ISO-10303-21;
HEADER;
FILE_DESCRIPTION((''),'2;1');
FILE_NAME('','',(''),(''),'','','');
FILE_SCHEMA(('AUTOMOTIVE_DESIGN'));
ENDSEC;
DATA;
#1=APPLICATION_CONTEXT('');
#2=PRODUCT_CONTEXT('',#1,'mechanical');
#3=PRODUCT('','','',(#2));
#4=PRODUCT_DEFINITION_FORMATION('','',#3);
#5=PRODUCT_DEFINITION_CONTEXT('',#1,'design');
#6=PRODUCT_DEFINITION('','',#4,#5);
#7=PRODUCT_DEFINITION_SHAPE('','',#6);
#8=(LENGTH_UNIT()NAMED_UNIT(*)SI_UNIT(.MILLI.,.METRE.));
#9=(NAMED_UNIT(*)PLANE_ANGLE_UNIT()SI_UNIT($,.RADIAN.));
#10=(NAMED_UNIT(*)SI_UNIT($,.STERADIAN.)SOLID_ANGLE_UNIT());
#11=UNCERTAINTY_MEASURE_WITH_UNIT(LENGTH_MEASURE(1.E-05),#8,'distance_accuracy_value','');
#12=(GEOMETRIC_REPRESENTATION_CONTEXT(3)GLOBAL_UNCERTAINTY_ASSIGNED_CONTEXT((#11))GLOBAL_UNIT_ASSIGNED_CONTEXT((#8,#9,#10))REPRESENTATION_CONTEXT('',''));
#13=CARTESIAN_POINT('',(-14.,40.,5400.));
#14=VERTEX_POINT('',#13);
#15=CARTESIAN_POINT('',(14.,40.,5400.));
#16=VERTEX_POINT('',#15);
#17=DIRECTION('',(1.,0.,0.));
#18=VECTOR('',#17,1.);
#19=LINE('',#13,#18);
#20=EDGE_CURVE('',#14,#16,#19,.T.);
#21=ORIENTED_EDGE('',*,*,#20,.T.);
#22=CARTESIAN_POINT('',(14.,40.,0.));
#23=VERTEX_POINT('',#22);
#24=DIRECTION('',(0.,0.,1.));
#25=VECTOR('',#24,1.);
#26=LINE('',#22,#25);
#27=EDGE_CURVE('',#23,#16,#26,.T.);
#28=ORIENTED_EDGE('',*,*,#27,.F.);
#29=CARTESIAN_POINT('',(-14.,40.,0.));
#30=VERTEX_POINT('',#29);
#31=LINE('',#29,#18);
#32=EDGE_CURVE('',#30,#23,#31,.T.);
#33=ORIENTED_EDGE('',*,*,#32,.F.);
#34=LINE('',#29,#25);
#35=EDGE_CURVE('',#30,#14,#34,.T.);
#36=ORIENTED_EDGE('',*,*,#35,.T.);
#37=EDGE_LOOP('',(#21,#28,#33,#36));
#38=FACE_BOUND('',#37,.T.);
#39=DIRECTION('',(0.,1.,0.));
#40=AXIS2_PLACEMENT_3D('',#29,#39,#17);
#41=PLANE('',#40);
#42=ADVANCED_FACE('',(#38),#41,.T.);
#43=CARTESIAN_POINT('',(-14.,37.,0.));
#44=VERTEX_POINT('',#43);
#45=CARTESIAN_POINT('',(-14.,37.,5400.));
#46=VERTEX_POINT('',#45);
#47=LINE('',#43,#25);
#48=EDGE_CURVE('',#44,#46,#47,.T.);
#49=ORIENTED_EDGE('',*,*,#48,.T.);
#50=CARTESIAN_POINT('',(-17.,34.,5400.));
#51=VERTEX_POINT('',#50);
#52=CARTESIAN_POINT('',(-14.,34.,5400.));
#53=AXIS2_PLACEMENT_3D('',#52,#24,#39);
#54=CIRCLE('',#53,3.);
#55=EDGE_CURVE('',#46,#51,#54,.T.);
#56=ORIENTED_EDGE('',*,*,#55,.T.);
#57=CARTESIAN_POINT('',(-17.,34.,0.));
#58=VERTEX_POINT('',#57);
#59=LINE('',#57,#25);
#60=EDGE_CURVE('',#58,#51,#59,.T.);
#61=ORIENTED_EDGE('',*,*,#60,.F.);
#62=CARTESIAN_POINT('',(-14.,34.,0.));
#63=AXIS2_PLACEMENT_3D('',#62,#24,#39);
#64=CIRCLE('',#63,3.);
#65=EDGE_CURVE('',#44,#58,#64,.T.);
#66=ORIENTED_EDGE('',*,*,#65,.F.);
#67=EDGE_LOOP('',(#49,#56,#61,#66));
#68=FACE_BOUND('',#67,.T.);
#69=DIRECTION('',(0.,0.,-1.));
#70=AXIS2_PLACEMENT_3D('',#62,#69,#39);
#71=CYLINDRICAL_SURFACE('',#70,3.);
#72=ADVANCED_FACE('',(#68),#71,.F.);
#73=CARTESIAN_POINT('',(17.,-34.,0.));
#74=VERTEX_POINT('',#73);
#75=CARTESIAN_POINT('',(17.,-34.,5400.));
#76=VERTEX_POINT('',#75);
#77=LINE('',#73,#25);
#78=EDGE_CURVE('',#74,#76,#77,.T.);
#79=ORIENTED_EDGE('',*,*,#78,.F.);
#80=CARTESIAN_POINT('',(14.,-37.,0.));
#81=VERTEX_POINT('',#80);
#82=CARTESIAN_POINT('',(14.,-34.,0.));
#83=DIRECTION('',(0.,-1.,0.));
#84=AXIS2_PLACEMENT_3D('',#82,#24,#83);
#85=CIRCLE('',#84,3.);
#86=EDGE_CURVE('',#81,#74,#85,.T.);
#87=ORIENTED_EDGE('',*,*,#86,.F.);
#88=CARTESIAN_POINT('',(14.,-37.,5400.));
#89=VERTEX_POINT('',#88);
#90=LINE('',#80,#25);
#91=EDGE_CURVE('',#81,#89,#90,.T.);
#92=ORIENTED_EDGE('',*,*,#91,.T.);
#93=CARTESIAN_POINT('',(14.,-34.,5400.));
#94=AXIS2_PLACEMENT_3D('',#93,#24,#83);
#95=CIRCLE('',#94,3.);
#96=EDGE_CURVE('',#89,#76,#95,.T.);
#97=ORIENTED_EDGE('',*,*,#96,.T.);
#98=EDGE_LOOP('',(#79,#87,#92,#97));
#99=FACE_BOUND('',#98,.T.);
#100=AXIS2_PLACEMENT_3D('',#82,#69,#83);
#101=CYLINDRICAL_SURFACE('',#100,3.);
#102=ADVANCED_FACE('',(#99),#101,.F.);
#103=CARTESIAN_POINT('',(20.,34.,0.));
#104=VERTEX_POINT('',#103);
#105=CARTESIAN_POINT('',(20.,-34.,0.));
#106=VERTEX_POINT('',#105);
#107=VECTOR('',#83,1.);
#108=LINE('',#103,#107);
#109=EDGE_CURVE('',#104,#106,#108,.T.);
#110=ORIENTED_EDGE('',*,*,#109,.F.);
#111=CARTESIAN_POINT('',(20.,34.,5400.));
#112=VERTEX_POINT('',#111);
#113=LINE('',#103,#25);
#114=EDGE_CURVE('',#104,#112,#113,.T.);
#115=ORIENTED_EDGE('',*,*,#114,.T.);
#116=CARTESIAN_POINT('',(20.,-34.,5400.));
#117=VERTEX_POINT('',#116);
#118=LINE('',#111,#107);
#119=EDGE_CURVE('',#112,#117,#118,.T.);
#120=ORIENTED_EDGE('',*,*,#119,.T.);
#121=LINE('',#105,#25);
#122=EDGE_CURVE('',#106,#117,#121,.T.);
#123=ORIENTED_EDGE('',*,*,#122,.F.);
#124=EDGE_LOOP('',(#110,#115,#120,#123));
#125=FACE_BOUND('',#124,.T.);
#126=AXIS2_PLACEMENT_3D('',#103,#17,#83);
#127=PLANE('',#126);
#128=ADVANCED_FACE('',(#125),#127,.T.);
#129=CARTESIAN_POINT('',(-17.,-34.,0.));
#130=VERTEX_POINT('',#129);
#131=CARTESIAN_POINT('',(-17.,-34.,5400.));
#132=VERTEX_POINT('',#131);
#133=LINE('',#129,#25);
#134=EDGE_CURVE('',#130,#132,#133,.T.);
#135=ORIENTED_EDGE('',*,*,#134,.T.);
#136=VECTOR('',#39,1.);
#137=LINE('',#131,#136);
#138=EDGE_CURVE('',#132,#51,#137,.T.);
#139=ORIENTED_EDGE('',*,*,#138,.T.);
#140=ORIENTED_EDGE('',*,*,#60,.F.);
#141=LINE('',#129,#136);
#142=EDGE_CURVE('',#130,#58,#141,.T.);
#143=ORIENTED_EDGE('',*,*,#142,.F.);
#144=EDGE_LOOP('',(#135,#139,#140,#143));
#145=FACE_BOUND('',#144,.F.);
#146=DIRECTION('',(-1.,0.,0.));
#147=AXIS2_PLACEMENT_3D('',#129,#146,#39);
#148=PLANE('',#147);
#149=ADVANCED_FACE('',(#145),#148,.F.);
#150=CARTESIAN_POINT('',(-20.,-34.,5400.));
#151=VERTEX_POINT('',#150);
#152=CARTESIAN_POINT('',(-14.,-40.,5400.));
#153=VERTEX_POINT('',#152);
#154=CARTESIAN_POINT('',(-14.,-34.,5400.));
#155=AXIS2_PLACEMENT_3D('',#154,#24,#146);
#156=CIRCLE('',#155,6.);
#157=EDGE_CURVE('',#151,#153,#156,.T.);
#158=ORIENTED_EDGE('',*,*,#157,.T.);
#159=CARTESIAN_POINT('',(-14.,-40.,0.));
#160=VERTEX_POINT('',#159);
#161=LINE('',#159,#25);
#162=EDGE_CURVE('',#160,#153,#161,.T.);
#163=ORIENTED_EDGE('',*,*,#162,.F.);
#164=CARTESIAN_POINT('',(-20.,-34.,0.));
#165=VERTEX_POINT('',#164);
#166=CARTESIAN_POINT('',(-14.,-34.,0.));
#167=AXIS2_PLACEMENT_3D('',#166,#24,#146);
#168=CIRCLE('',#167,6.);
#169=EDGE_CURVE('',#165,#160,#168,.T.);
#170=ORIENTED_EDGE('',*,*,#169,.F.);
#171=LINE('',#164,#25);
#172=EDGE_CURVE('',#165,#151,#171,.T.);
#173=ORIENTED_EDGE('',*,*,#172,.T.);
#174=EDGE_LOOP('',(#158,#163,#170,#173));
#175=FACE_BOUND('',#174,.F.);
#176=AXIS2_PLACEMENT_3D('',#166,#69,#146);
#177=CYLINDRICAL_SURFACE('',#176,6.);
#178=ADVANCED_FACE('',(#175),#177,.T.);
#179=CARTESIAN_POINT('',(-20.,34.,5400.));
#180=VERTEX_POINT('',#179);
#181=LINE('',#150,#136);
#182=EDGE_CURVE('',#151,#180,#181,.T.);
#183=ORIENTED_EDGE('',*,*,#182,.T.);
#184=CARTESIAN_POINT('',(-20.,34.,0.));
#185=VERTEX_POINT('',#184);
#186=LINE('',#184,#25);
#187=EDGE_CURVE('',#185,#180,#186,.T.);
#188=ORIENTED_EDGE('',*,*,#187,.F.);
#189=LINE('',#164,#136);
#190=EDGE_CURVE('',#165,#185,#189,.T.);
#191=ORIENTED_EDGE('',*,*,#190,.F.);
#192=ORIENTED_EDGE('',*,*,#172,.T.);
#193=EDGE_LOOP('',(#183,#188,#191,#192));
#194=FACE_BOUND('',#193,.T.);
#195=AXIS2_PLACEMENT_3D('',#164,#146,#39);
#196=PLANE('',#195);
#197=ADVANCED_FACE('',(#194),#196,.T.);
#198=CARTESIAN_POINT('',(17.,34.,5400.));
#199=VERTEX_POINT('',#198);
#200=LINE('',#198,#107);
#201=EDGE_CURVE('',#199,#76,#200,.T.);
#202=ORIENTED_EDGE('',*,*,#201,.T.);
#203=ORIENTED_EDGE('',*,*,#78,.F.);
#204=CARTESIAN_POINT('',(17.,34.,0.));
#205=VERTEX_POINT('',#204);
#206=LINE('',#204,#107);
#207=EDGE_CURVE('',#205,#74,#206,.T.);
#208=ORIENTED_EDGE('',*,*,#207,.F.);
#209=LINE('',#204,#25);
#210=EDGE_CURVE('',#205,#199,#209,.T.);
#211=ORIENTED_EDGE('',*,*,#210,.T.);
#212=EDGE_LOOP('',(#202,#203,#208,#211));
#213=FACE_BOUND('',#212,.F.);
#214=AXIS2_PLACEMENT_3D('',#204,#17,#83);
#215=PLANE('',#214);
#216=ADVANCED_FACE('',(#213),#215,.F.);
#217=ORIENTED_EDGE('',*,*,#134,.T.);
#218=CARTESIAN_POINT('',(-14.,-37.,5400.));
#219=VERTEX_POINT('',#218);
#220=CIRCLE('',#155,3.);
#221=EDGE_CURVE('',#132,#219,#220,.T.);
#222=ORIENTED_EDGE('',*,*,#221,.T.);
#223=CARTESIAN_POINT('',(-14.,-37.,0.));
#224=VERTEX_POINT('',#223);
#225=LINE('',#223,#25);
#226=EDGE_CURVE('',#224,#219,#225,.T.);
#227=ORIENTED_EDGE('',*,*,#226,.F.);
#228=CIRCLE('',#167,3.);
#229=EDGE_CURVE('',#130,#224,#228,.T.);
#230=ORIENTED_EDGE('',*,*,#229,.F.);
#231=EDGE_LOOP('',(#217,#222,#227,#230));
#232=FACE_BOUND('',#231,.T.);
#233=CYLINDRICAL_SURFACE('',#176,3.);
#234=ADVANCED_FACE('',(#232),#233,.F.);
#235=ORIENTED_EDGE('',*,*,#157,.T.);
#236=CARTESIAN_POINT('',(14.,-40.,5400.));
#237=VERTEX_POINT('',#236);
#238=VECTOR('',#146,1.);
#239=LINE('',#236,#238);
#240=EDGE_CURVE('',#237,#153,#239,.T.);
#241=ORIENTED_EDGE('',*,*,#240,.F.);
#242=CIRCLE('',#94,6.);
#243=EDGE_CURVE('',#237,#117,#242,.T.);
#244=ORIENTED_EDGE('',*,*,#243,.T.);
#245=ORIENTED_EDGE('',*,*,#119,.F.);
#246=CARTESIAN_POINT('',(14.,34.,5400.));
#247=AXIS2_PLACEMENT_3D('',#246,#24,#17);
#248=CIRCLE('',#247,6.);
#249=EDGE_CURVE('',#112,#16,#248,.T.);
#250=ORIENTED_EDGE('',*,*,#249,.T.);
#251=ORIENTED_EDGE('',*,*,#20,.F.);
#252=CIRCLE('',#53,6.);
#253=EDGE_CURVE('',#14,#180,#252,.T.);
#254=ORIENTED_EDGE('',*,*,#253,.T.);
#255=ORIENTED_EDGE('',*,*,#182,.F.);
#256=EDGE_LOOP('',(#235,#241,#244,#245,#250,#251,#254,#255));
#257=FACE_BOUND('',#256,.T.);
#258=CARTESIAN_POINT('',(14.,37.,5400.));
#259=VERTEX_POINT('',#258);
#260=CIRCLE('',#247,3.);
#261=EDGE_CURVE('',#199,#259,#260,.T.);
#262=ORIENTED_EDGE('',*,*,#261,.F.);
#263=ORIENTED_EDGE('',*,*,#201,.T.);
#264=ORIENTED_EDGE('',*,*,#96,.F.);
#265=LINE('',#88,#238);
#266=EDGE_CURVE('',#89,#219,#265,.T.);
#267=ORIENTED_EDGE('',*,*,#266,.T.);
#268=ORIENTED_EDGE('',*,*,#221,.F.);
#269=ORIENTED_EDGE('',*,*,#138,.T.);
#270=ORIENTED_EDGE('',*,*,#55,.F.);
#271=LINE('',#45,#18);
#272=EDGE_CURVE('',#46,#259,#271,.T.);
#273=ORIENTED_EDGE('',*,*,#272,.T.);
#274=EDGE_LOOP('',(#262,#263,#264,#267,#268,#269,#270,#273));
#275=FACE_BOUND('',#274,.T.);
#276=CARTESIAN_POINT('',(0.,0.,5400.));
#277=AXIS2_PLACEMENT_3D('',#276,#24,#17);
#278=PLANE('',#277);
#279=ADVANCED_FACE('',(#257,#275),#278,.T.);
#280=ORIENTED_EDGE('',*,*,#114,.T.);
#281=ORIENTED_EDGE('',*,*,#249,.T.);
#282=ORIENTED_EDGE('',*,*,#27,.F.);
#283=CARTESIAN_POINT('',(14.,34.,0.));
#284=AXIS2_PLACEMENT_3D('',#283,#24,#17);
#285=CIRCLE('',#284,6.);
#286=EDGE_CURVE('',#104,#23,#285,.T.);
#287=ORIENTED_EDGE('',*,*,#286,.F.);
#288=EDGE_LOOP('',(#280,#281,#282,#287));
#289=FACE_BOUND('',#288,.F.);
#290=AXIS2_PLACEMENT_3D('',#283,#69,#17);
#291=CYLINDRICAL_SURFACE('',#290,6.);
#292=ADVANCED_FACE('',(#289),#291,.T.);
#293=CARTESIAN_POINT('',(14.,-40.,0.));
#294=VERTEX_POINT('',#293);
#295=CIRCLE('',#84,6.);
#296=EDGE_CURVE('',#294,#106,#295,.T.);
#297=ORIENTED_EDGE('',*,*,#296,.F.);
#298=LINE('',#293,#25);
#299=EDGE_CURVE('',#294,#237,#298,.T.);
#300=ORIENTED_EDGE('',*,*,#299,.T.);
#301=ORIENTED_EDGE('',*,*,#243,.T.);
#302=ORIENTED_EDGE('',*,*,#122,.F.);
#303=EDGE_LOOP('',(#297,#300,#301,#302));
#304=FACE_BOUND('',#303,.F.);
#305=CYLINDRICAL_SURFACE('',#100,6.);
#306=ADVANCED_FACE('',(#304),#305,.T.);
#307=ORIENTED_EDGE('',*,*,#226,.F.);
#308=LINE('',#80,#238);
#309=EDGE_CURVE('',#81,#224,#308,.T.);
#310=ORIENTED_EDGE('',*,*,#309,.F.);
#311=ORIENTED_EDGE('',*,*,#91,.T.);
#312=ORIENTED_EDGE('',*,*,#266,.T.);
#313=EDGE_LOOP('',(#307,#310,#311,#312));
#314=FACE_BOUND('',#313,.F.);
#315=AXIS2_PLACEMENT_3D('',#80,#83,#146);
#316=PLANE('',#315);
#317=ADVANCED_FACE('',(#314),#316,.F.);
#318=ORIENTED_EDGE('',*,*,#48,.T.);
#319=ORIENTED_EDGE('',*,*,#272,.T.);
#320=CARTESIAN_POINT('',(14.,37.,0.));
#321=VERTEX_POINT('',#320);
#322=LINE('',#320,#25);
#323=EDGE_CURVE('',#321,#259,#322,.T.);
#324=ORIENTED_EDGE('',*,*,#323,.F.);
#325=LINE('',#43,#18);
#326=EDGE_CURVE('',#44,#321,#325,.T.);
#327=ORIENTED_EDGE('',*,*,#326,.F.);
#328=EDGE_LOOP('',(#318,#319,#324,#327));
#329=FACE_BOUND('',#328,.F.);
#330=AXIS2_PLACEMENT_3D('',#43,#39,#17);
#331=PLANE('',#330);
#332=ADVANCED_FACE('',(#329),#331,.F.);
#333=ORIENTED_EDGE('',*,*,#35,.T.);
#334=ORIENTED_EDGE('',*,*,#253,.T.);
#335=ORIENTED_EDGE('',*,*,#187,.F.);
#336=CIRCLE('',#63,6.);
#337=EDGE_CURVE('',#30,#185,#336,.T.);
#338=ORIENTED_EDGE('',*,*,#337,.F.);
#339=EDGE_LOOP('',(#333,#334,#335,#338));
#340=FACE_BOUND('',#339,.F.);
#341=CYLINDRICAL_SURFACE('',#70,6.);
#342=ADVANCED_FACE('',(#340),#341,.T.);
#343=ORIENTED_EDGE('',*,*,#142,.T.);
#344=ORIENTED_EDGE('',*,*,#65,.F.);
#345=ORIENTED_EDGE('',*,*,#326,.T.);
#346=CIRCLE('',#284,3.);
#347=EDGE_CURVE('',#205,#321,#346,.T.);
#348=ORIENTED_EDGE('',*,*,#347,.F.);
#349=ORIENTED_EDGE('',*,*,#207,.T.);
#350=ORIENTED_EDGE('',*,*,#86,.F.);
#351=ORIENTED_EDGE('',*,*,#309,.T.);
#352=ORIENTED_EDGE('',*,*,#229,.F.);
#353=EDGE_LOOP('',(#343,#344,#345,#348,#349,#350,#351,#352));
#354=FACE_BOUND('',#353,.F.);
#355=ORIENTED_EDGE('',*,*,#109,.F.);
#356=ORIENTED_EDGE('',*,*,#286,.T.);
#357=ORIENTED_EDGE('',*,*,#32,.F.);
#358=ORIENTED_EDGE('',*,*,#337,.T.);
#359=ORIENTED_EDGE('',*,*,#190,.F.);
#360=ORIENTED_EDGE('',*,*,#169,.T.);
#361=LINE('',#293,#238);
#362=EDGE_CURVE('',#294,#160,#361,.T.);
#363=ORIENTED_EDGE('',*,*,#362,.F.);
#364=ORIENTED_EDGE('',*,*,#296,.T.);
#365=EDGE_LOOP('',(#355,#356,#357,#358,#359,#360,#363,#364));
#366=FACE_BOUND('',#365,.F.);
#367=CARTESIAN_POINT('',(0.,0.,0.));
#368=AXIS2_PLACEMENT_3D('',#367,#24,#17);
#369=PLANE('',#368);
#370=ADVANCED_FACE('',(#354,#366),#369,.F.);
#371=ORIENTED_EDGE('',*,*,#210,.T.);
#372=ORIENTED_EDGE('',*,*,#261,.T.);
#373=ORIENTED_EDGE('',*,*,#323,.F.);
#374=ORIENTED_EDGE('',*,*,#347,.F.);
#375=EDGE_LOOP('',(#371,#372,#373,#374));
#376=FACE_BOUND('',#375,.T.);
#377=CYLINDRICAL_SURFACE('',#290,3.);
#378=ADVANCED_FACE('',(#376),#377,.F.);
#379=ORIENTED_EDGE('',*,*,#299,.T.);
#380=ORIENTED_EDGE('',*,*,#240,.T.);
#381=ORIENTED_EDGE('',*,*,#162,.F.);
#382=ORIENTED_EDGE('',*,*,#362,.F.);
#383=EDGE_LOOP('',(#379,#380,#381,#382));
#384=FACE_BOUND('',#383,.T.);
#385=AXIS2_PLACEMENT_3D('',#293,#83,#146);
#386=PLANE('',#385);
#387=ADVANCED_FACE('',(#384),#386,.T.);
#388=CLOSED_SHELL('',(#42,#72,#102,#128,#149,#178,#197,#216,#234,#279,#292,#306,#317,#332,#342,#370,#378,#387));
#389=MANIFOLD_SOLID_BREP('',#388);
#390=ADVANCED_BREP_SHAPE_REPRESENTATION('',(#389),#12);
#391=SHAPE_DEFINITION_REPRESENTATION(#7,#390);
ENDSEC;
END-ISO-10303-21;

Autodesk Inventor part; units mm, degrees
ref_plane "YZ Plane" through (0, 0, 0) normal (1, 0, 0) x (0, 1, 0)
ref_plane "Start Plane" through (0, 0, 0) normal (0, 0, 1) x (1, 0, 0)
ref_plane "End Plane" through (0, 0, 5400) normal (0, 0, 1) x (1, 0, 0)
sketch "Sketch" plane through (0, 0, 0) normal (0, 0, 1) x (1, 0, 0)
  line L0 (-20, -34) -> (-20, 34)
  line L1 (-14, 40) -> (14, 40)
  line L2 (20, 34) -> (20, -34)
  line L3 (14, -40) -> (-14, -40)
  arc A0 (-20, -34) -> (-14, -40) centre (-14, -34) ccw
  arc A1 (20, 34) -> (14, 40) centre (14, 34) ccw
  arc A2 (-14, 40) -> (-20, 34) centre (-14, 34) ccw
  arc A3 (14, -40) -> (20, -34) centre (14, -34) ccw
  arc A4 (-14, 37) -> (-17, 34) centre (-14, 34) ccw
  line L4 (-14, 37) -> (14, 37)
  arc A5 (17, 34) -> (14, 37) centre (14, 34) ccw
  line L5 (17, 34) -> (17, -34)
  arc A6 (14, -37) -> (17, -34) centre (14, -34) ccw
  line L6 (14, -37) -> (-14, -37)
  arc A7 (-17, -34) -> (-14, -37) centre (-14, -34) ccw
  line L7 (-17, -34) -> (-17, 34)
  line L8 (0, 57.7397) -> (0, -57.7397) construction
  line L9 (-29.7397, 0) -> (29.7397, 0) construction
  dimension "d7" = 6
  dimension "d9" = 40
  dimension "d11" = 80
  dimension "d12" = 3
  dimension "d15" = 20
  dimension "d16" = 40
extrude "Body" add sketch "Sketch" along normal up to surface (5400 mm away) from surface at 0
sketch "Sketch3" plane through (0, 0, 0) normal (0, 0, 1) x (1, 0, 0)
  line L0 (0, 0) -> (10, 0)
ref_plane "Work Plane3" through (0, 0, 0) normal (0, -1, 0) x (1, 0, 0)
sketch "Sketch4" plane through (0, 0, 0) normal (0, -1, 0) x (1, 0, 0)
  line L0 (-2, 0) -> (12, 0) projected
  line L1 (-2, 5400) -> (12, 5400) projected
  dimension "d18" = 5400
equation "\"d7\" = G_IR"
equation "\"d9\" = G_W"
equation "\"d11\" = G_H"
equation "\"d12\" = G_T"
equation "\"d15\" = 0.5 * d9"
equation "\"d16\" = 0.5 * d11"
equation "\"d3\" = G_L"
equation "\"G_W\" = 40"
equation "\"G_H\" = 80"
equation "\"G_T\" = 3"
equation "\"G_IR\" = 6"
equation "\"G_L\" = d18"
equation "\"G_OFFSET_START\" = 0"
equation "\"G_OFFSET_END\" = 0"
properties part number "ISO 10799-2 - 80x40x3 - 5400" material "Steel, Mild"
